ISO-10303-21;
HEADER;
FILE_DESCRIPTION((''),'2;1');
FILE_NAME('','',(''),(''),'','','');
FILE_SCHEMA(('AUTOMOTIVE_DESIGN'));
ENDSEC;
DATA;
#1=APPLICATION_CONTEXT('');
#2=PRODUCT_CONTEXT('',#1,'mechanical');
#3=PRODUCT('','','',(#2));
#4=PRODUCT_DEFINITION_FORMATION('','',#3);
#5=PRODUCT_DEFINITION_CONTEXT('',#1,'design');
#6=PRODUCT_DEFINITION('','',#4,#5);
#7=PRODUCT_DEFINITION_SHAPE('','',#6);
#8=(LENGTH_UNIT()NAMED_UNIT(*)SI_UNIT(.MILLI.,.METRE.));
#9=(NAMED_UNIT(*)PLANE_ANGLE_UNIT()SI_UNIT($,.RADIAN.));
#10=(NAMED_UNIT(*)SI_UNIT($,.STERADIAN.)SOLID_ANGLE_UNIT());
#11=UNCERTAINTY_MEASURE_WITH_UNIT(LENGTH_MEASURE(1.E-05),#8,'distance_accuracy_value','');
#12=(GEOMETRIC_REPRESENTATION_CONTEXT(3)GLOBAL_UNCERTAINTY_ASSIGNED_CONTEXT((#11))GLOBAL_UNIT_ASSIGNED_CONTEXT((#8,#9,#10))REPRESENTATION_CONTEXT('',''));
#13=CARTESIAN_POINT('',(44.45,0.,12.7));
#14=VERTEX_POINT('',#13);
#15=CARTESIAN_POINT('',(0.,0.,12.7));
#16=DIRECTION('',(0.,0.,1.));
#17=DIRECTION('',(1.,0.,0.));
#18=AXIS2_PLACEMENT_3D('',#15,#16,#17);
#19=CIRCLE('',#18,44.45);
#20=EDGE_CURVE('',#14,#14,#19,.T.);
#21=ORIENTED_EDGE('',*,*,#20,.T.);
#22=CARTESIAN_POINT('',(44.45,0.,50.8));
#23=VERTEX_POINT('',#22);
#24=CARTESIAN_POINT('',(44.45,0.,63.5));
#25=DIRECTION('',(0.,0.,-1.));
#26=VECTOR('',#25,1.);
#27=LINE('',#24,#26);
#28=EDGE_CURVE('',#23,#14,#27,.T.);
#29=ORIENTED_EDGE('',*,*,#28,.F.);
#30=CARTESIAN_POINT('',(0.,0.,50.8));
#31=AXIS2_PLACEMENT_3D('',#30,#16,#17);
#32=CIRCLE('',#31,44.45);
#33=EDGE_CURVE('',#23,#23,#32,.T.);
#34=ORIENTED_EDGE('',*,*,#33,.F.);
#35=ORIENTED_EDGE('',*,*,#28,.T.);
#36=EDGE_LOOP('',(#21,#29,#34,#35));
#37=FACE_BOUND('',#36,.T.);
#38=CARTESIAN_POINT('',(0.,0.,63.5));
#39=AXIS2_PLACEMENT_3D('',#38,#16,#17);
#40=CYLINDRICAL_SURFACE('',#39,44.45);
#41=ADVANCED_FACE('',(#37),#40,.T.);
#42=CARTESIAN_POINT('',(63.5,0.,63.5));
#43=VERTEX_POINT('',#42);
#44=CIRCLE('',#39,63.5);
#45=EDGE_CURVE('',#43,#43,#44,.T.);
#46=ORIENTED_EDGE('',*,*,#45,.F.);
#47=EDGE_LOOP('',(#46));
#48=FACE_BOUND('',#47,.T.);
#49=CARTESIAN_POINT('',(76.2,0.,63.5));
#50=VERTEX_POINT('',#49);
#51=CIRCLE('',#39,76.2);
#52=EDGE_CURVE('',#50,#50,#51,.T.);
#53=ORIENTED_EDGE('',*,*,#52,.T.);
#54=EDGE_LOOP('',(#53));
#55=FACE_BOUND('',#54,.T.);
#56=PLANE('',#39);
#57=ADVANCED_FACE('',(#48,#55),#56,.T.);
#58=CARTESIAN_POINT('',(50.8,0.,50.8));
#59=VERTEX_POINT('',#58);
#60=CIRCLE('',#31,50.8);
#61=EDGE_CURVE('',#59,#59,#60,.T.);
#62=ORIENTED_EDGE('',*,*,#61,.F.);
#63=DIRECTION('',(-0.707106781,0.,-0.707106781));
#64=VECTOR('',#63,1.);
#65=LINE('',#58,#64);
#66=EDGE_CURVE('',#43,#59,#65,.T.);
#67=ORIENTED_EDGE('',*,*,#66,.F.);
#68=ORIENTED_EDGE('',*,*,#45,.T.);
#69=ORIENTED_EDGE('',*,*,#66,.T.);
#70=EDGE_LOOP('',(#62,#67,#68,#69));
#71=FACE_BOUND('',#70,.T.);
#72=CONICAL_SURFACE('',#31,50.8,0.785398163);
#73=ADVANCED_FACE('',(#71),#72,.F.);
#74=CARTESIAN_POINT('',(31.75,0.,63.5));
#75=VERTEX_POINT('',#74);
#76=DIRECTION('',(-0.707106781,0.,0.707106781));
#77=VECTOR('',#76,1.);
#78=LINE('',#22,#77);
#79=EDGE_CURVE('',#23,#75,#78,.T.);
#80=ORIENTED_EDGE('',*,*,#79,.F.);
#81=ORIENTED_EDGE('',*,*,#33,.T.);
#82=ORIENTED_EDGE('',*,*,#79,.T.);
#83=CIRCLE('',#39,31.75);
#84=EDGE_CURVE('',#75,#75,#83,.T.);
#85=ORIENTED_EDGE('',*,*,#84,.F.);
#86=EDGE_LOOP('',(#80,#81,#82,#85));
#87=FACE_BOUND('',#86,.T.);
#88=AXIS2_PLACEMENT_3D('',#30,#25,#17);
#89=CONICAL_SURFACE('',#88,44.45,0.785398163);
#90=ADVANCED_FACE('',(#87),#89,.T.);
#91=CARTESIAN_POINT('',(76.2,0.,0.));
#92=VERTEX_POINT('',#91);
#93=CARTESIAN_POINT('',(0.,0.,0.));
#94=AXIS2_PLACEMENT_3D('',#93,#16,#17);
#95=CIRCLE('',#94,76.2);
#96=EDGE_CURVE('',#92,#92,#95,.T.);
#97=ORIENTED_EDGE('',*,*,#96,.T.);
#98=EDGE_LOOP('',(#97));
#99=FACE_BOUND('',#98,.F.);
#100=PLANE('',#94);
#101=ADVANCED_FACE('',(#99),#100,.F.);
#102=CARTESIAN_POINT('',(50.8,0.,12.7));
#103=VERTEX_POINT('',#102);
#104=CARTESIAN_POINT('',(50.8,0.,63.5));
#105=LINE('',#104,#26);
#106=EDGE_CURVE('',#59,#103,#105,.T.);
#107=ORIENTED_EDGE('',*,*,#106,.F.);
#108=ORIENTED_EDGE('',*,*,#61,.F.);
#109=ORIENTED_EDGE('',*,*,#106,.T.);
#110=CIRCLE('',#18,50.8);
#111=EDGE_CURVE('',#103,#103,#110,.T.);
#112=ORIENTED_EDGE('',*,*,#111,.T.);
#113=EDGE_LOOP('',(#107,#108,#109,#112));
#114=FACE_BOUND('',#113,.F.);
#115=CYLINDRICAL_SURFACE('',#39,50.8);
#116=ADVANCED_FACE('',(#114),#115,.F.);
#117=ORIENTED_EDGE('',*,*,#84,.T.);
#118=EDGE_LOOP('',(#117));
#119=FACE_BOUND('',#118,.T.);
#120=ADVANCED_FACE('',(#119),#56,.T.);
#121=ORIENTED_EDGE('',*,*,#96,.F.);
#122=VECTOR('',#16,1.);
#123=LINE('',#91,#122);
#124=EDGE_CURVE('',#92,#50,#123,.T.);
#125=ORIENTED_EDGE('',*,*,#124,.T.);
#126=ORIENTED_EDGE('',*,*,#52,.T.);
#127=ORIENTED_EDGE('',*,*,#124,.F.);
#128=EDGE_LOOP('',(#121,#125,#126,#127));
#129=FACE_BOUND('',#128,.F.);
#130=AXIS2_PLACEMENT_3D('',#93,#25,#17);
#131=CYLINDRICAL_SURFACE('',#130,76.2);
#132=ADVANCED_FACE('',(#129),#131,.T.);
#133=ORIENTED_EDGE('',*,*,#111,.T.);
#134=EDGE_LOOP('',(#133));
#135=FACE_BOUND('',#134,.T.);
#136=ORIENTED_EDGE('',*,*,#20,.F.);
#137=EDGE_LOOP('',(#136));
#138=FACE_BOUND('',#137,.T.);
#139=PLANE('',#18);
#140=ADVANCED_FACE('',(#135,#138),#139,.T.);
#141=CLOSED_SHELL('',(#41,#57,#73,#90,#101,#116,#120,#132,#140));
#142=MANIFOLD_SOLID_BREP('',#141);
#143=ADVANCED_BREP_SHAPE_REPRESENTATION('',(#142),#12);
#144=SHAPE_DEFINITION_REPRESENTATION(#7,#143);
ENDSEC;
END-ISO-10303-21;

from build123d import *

# Parameters (mm, degrees)
F0_R     = 76.2
F1_DEPTH = 63.5
F2_R     = 50.8
F2_R_2   = 44.45
F3_DEPTH = 50.8
F4_SIZE  = 12.7


with BuildPart() as f1:
    # F0 (on Top) → F1 (new body)
    with BuildSketch(Plane.XY):
        Circle(F0_R)
    extrude(amount=F1_DEPTH)

    # F2 (on face) → F3 (cut)
    with BuildSketch(Plane.XY.offset(63.5)):
        Circle(F2_R)
        Circle(F2_R_2, mode=Mode.SUBTRACT)
    extrude(amount=-F3_DEPTH, mode=Mode.SUBTRACT)

    # F4
    f4_edges = [f1.edges().sort_by_distance(p)[0] for p in [
        (-50.8, 0, 63.5),
        (-44.45, 0, 63.5),
    ]]
    chamfer(f4_edges, length=F4_SIZE)


solid = f1.part
